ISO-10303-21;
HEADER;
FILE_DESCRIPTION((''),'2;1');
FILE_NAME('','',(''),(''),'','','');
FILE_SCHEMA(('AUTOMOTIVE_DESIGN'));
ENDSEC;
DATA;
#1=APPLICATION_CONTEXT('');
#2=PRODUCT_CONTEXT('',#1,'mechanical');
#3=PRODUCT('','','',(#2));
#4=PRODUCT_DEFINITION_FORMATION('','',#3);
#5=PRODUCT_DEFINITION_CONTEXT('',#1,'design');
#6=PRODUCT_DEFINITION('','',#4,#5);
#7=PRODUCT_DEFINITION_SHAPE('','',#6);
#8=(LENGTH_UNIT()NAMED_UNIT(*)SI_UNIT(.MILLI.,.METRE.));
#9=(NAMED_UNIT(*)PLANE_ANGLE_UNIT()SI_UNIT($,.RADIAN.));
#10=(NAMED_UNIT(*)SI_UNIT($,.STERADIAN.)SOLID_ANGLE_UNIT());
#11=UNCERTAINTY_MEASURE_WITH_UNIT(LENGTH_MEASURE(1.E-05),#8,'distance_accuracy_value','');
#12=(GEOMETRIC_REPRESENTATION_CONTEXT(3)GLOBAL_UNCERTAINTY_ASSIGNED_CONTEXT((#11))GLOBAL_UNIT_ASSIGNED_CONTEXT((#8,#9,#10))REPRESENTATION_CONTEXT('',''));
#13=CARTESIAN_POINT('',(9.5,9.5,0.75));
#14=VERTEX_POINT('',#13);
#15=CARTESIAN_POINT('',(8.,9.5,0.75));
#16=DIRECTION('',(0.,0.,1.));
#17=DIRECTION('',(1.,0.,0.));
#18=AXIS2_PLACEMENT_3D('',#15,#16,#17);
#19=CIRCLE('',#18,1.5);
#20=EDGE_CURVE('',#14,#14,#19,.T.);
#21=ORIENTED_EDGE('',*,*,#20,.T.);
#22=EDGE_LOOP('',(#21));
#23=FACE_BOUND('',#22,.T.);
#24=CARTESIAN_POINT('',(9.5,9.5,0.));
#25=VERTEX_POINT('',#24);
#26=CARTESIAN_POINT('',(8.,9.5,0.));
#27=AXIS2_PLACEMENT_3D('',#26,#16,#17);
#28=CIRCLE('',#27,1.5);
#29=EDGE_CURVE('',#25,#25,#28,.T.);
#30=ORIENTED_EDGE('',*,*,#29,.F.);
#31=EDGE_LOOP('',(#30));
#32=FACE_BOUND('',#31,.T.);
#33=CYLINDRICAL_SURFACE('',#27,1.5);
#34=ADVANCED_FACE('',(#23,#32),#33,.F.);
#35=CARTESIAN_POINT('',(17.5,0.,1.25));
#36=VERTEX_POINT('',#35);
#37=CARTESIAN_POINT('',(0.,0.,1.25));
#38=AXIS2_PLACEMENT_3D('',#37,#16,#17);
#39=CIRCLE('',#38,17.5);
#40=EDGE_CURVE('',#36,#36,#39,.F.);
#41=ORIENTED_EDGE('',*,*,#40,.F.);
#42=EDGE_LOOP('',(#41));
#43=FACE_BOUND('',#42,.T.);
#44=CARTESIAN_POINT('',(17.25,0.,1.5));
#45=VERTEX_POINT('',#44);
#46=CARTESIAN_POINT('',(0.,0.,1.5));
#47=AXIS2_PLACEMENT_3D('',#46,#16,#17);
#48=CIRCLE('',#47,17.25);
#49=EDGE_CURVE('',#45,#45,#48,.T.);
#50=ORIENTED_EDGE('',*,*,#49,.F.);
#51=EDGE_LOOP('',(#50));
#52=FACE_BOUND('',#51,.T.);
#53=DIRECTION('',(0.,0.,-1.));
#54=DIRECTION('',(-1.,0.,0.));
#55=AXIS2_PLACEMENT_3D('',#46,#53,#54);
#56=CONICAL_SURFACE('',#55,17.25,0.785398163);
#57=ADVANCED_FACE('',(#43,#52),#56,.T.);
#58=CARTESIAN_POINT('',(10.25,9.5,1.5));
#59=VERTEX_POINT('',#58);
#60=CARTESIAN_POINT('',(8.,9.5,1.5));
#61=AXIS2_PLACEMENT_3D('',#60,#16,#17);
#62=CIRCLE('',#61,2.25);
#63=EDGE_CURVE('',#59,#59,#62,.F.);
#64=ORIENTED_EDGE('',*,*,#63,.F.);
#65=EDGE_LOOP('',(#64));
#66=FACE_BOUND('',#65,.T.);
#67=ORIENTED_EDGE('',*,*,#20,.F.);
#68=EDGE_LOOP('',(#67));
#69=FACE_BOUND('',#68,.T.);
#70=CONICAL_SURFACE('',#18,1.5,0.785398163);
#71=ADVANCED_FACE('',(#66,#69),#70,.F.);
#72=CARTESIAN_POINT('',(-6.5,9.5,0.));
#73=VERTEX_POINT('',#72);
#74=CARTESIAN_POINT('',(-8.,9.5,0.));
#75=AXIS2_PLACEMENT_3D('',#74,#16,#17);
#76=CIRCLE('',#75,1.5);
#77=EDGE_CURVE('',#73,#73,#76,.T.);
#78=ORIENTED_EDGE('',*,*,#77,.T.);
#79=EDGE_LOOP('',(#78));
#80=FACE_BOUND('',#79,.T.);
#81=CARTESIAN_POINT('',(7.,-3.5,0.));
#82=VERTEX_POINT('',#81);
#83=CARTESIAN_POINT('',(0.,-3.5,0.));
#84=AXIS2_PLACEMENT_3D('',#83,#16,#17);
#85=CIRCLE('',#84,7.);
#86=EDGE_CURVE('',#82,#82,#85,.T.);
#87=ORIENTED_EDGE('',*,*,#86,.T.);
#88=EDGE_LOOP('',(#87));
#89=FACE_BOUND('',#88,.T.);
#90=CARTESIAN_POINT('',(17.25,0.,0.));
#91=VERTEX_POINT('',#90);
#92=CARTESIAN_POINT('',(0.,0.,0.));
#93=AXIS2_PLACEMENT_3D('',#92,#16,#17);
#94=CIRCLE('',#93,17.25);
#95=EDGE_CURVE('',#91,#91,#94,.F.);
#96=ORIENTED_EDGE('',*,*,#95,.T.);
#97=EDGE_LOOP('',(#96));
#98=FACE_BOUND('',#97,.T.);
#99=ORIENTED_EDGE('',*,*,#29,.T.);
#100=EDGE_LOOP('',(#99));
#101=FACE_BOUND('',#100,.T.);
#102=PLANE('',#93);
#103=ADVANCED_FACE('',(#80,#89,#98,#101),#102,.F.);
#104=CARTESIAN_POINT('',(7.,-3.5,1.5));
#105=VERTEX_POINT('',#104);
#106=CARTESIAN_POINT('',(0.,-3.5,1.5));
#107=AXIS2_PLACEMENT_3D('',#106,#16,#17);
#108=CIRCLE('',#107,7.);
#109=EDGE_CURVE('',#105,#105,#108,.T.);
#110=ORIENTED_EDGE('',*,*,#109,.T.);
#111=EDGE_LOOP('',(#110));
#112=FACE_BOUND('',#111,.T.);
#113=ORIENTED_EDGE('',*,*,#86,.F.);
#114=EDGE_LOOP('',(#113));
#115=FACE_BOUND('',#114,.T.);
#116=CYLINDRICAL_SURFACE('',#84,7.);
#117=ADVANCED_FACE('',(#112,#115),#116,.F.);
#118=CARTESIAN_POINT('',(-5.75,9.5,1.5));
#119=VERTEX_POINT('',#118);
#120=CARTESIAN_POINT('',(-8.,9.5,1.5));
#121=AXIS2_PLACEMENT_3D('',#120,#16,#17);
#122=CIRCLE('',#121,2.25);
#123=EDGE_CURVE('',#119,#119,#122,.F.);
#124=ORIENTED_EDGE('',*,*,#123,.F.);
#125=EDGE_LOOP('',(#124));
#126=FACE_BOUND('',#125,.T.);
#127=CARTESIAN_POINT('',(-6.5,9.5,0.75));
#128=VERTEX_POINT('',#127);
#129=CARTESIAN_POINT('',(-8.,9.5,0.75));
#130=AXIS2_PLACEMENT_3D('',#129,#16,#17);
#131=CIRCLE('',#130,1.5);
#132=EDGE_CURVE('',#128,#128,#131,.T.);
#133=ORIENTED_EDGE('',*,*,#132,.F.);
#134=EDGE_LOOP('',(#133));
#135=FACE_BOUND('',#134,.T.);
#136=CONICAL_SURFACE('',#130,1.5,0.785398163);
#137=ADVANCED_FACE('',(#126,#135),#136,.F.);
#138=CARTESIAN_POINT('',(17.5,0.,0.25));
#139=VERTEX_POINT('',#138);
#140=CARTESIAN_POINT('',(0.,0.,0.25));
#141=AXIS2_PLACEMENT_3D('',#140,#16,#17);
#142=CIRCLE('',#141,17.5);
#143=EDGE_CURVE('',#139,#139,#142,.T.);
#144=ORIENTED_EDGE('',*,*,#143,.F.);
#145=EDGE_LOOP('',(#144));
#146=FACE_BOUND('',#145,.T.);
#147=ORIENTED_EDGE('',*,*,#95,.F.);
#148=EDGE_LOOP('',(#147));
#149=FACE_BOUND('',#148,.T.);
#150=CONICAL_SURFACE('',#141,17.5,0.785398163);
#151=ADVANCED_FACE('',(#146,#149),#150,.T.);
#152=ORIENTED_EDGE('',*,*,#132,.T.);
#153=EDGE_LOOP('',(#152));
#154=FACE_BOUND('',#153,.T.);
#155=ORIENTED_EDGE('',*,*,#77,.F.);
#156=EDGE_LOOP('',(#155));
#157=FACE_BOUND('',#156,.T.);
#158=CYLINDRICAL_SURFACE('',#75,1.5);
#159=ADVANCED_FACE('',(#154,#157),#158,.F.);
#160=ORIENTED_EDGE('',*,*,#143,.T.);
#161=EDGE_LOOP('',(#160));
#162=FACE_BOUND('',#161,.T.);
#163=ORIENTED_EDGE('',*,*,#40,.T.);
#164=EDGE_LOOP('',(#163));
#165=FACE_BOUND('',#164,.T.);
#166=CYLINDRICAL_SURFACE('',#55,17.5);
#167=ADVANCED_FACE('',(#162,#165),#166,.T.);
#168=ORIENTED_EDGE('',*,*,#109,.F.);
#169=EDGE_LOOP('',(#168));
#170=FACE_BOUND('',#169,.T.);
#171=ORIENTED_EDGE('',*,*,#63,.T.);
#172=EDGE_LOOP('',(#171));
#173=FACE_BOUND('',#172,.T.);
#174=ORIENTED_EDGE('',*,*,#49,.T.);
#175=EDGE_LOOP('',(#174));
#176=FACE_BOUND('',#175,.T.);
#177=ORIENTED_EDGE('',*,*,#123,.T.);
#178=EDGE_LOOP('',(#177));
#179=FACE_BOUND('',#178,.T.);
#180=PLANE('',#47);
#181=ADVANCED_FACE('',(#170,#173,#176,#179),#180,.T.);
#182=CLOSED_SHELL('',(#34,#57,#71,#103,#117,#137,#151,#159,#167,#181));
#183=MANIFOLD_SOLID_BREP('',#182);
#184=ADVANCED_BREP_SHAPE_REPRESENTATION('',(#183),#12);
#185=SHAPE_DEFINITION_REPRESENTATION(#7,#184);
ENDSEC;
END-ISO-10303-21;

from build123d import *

# Parameters (mm, degrees)
SKETCH1_R           = 17.5
BOSS_EXTRUDE1_DEPTH = 1.5
SKETCH2_R           = 7
SKETCH2_R_2         = 1.5
CUT_EXTRUDE1_DEPTH  = 1.5
CHAMFER1_SIZE       = 0.75
CHAMFER2_SIZE       = 0.25


with BuildPart() as part:
    # Sketch1 → Boss-Extrude1 (new body)
    with BuildSketch(Plane.XY):
        Circle(SKETCH1_R)
    extrude(amount=BOSS_EXTRUDE1_DEPTH)

    # Sketch2 → Cut-Extrude1 (cut)
    with BuildSketch(Plane.XY.offset(1.5)):
        with Locations((0, -3.5)):
            Circle(SKETCH2_R)
        with Locations((-8, 9.5)):
            Circle(SKETCH2_R_2)
        with Locations((8, 9.5)):
            Circle(SKETCH2_R_2)
    extrude(amount=-CUT_EXTRUDE1_DEPTH, mode=Mode.SUBTRACT)

    # Chamfer1
    chamfer1_edges = [part.edges().sort_by_distance(p)[0] for p in [
        (-9.5, 9.5, 1.5),
        (6.5, 9.5, 1.5),
    ]]
    chamfer(chamfer1_edges, length=CHAMFER1_SIZE)

    # Chamfer2
    chamfer2_edges = [part.edges().sort_by_distance(p)[0] for p in [
        (-17.5, 0, 0),
        (-17.5, 0, 1.5),
    ]]
    chamfer(chamfer2_edges, length=CHAMFER2_SIZE)


solid = part.part
